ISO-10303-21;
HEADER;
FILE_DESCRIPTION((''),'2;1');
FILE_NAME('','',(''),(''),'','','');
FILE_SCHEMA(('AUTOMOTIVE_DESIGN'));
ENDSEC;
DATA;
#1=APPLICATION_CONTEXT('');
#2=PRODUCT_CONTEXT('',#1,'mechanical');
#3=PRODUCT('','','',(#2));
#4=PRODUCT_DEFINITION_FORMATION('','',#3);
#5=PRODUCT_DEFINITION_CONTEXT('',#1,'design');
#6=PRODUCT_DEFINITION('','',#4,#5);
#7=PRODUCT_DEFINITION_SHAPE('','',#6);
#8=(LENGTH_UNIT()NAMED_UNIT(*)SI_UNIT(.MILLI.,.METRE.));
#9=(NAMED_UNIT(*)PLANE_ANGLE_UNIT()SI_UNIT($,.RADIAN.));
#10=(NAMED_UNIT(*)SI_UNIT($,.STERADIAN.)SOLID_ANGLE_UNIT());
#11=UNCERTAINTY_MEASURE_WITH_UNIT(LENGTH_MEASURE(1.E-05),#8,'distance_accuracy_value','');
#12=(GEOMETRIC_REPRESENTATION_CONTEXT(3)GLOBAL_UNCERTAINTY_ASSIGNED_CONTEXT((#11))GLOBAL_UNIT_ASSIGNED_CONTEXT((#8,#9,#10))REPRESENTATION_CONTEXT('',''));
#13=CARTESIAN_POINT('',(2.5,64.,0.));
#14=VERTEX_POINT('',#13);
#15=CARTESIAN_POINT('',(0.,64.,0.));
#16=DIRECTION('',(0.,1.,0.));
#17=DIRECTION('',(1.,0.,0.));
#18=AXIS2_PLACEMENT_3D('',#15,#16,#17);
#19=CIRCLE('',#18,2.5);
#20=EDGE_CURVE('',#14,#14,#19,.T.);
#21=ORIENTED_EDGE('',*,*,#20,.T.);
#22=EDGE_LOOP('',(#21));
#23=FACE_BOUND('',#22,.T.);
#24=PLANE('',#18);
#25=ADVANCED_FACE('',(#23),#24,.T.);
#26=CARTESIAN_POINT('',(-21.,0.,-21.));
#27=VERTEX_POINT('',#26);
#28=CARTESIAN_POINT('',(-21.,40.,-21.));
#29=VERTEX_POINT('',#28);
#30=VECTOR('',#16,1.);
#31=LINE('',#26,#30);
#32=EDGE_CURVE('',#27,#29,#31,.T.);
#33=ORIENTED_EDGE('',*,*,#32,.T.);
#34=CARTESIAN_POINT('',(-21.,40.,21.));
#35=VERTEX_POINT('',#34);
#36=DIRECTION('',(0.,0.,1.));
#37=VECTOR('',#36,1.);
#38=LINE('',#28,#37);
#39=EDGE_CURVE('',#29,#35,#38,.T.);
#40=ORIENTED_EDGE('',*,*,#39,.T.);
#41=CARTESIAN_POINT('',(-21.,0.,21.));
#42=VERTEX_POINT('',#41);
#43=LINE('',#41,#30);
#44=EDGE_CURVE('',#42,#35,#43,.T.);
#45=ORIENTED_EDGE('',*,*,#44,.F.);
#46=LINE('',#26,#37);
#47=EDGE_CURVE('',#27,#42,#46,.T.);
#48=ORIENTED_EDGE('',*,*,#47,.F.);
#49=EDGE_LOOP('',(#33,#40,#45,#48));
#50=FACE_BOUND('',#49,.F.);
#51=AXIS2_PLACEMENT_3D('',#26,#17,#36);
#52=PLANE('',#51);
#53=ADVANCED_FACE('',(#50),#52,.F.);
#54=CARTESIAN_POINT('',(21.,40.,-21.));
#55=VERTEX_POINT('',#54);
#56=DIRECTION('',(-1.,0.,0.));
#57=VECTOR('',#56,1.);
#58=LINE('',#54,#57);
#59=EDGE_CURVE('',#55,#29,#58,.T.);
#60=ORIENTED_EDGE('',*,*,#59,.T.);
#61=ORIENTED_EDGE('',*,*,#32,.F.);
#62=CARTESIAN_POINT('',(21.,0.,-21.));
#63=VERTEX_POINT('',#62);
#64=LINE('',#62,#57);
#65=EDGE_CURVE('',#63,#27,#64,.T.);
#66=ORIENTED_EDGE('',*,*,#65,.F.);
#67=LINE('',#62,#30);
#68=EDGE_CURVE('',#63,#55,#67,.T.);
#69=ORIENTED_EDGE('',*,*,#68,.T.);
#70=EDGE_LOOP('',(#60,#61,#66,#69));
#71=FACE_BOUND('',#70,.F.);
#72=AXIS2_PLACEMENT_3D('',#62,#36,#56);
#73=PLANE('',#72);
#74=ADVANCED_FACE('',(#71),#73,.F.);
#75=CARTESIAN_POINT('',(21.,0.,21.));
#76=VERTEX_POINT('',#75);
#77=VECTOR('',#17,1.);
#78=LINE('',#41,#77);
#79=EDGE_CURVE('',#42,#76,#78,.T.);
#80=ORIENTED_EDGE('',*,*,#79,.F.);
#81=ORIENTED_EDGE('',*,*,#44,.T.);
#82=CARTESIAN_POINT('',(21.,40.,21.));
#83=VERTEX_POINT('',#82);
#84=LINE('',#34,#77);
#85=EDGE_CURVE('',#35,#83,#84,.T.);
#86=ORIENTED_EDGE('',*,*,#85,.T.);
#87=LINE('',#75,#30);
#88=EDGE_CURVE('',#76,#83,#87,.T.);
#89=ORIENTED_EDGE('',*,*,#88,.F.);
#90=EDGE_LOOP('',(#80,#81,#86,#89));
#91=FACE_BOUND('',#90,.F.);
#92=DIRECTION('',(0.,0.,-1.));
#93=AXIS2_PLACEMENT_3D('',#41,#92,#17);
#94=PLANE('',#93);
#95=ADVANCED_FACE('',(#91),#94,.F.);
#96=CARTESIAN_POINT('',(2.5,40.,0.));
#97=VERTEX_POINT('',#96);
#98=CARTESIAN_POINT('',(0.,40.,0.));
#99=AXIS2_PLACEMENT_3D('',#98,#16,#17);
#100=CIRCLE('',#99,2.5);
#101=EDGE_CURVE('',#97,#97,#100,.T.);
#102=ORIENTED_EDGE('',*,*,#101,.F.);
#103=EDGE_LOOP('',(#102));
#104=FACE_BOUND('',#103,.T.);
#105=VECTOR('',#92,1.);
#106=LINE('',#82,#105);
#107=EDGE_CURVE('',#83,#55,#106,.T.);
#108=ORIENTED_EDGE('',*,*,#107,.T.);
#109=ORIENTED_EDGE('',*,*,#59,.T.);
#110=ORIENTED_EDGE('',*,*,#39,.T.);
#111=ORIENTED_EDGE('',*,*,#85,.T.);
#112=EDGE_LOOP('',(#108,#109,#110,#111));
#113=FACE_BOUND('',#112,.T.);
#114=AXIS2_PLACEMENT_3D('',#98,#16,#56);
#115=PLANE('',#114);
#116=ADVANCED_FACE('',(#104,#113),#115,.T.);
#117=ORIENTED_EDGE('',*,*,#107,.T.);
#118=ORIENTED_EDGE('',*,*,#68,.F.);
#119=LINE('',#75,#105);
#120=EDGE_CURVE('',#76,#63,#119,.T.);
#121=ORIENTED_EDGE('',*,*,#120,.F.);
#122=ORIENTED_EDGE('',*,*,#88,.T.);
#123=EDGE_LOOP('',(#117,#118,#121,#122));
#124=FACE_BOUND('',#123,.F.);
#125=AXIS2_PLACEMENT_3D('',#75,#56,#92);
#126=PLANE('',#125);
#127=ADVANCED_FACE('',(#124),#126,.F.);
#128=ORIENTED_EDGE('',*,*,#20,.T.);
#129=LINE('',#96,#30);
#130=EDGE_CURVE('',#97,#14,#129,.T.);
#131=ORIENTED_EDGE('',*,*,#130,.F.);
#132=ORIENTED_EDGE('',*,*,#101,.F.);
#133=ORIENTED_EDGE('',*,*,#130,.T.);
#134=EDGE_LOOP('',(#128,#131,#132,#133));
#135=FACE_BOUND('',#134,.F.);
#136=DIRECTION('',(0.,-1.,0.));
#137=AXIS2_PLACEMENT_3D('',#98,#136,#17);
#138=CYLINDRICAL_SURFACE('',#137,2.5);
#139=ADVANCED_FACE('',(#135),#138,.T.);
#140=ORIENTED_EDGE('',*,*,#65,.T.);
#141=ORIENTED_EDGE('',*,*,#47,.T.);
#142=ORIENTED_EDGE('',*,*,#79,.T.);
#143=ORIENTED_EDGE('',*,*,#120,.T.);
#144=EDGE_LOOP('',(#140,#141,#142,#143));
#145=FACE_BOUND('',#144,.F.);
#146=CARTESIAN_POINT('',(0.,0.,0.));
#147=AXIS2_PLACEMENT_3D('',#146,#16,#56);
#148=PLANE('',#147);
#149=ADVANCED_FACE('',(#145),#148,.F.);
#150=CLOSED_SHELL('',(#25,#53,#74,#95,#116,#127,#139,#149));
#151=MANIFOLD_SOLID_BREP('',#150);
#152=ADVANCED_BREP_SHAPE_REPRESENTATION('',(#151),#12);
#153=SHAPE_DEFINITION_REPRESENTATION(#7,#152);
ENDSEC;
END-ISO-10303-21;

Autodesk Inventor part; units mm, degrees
ref_plane "YZ Plane" through (0, 0, 0) normal (1, 0, 0) x (0, 1, 0)
ref_plane "XZ Plane" through (0, 0, 0) normal (0, 1, 0) x (-1, 0, 0)
ref_plane "XY Plane" through (0, 0, 0) normal (0, 0, 1) x (1, 0, 0)
sketch "Szkic1" plane through (0, 0, 0) normal (0, 1, 0) x (-1, 0, 0)
  line L0 (21, 21) -> (-21, 21)
  line L1 (-21, 21) -> (-21, -21)
  line L2 (-21, -21) -> (21, -21)
  line L3 (21, -21) -> (21, 21)
  line L4 (21, 21) -> (-21, -21)
  line L5 (21, -21) -> (-21, 21)
  point P0 (0, 0)
  point P1 (0, 0)
  dimension "d0" = 42
  dimension "d1" = 42
extrude "Wyciągnięcie proste1" add sketch "Szkic1" along normal blind 40
sketch "Szkic2" plane through (0, 40, 0) normal (0, 1, 0) x (1, 0, 0)
  circle A0 centre (0, 0) radius 2.5
  dimension "d4" = 5
extrude "Wyciągnięcie proste2" add sketch "Szkic2" along normal blind 24
properties part number "Stepper_model"
